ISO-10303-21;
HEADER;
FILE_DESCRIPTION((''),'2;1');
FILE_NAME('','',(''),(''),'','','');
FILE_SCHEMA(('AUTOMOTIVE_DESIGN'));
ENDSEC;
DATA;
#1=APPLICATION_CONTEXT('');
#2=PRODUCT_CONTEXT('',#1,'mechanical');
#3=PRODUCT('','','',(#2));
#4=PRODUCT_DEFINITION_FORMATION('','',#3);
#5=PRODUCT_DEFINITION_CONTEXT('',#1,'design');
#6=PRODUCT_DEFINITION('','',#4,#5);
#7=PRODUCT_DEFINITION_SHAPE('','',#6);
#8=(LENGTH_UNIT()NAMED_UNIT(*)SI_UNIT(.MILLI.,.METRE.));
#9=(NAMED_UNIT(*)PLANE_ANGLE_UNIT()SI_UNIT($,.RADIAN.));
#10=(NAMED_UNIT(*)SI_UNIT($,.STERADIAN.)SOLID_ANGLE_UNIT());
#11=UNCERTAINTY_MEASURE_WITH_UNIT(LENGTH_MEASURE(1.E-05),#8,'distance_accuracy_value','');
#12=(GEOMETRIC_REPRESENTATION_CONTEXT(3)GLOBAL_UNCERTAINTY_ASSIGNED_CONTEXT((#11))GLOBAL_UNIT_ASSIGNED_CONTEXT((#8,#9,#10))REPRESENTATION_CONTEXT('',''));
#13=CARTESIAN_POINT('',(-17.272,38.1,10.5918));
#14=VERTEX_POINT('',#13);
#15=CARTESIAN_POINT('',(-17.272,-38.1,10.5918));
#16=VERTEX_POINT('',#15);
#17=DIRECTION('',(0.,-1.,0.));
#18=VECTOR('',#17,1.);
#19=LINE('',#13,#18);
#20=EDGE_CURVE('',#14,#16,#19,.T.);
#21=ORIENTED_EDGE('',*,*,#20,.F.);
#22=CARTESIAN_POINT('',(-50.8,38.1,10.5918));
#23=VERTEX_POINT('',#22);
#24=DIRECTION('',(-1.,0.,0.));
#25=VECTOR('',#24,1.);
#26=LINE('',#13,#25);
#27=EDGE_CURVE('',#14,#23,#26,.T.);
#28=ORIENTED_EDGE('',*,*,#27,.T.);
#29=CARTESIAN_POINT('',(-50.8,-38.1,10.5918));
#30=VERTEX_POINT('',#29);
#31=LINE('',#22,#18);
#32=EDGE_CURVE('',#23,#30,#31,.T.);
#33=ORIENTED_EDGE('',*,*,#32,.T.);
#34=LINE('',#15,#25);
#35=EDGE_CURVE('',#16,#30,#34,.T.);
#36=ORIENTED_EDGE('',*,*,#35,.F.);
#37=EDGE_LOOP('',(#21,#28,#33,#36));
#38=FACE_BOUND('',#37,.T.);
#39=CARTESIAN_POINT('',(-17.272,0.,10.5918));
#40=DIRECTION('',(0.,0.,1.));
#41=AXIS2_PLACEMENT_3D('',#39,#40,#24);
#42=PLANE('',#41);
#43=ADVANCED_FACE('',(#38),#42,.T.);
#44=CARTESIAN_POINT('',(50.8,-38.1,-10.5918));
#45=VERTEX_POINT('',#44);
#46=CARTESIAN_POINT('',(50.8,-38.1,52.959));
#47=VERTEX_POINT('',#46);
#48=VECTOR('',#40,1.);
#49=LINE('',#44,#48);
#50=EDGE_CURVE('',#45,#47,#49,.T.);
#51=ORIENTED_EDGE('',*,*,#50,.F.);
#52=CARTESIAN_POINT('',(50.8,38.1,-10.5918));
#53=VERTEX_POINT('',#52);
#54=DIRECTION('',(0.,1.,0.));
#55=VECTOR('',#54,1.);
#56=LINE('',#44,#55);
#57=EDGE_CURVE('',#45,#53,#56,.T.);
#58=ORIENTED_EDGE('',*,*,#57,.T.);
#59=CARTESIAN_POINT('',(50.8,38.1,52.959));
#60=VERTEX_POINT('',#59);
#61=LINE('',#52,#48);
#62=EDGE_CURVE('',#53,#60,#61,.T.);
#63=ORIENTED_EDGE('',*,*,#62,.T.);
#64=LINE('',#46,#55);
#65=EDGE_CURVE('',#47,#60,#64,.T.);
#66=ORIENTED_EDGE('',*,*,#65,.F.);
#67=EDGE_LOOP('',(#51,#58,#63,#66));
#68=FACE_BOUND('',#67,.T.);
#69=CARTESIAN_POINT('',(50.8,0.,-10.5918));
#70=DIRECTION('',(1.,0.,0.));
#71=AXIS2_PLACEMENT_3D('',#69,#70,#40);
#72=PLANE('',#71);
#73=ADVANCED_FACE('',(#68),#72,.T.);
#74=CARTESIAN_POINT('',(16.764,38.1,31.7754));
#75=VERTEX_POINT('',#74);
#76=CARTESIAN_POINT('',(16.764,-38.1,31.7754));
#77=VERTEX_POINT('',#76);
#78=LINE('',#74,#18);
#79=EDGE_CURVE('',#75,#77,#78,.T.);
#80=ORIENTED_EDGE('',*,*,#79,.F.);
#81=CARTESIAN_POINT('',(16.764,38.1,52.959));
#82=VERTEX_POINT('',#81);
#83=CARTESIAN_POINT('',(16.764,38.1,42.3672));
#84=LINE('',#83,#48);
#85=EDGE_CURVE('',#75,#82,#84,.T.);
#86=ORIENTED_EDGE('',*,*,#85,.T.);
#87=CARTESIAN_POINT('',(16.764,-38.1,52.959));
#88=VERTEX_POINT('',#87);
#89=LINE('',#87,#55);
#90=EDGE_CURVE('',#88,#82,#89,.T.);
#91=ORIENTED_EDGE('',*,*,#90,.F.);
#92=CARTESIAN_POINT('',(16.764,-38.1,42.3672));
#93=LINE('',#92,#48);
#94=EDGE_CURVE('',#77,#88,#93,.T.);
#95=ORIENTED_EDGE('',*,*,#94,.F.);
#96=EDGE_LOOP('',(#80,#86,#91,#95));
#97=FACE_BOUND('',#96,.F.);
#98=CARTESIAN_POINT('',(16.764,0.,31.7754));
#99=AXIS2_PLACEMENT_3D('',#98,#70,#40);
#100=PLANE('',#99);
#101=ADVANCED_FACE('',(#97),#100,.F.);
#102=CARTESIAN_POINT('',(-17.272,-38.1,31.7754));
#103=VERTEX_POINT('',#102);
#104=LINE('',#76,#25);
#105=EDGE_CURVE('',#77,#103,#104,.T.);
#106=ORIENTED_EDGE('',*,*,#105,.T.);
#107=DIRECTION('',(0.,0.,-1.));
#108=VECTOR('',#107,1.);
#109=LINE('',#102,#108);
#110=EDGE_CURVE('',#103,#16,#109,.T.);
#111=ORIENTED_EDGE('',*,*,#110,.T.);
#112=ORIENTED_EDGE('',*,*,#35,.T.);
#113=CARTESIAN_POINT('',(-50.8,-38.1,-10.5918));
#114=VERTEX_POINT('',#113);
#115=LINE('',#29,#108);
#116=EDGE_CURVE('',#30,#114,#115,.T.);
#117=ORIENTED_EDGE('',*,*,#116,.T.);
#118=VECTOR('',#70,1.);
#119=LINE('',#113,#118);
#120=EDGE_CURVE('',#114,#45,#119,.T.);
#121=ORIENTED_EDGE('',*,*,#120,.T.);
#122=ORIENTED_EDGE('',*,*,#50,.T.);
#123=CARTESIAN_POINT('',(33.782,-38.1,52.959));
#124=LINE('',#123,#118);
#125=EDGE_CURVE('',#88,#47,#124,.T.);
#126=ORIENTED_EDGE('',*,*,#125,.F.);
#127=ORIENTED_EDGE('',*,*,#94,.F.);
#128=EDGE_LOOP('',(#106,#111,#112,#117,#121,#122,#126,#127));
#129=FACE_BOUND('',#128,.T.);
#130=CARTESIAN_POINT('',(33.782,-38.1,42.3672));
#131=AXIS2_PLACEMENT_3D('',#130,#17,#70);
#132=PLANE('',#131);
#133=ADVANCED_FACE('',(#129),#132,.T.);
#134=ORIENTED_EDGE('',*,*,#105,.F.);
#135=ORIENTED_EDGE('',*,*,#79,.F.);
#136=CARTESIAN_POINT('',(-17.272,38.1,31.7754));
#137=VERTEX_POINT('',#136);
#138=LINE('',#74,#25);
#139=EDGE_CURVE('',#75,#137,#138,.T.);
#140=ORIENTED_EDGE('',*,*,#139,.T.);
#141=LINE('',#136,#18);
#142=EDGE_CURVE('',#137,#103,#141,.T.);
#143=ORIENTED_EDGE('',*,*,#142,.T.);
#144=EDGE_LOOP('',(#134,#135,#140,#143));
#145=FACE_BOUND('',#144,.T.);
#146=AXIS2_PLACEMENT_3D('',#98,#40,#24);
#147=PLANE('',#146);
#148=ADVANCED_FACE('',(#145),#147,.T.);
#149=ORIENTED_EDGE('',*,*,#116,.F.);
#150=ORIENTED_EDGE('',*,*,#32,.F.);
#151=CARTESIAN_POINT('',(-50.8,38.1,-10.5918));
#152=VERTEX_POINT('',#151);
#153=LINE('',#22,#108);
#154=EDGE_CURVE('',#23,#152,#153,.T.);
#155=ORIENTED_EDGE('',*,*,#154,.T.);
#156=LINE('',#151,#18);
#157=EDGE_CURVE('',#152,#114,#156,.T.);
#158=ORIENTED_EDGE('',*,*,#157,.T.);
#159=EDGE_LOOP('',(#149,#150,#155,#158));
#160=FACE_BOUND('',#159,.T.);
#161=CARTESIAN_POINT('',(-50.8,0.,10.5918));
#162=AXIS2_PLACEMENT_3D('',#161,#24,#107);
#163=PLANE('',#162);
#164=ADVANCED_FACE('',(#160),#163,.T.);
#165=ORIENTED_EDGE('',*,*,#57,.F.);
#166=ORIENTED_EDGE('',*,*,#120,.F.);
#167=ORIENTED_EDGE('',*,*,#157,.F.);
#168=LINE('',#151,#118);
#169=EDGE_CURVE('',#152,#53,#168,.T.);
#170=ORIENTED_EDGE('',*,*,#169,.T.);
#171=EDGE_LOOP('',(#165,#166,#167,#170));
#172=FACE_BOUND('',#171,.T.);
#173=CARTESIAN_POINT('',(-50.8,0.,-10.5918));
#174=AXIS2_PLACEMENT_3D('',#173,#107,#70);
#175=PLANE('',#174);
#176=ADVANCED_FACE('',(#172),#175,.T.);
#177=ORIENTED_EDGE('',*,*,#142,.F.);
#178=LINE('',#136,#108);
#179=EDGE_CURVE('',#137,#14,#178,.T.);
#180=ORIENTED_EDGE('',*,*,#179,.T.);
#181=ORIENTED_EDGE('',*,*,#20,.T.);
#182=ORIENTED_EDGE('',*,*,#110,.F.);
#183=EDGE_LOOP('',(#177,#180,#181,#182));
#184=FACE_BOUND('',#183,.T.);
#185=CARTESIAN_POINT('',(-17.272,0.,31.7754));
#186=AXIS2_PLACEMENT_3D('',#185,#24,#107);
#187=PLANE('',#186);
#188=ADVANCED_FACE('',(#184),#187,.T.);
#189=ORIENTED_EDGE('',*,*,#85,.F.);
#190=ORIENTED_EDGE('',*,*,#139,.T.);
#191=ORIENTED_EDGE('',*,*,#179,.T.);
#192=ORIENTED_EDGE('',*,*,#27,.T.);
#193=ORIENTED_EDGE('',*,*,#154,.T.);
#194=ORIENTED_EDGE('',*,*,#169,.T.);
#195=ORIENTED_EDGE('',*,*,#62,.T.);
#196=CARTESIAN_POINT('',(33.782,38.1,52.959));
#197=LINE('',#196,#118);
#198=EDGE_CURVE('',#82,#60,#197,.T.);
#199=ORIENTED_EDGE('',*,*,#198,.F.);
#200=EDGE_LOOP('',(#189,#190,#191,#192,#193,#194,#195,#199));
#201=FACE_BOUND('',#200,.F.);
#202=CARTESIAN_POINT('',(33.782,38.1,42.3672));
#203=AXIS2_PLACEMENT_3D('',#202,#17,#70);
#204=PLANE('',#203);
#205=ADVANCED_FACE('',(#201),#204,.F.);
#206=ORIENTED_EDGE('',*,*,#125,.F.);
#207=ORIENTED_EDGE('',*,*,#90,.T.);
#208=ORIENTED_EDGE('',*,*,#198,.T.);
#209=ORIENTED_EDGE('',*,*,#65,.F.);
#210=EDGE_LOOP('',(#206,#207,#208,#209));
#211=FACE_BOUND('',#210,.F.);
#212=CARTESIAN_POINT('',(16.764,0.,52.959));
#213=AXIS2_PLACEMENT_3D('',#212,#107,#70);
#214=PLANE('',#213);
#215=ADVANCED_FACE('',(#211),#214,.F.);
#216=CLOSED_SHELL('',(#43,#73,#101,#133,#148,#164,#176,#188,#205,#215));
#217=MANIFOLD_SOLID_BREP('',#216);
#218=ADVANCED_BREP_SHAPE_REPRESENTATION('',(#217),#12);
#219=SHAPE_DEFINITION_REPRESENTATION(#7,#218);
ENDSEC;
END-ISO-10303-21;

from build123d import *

# Parameters (mm, degrees)
F0_W     = 34.036
F0_H     = 21.1836
F1_DEPTH = 38.1


with BuildPart() as f1:
    # F0 (on Front) → F1 (new body, symmetric)
    with BuildSketch(Plane.XZ):
        with Locations((33.782, 42.3672)):
            Rectangle(F0_W, F0_H)
        Polygon((-17.272, 10.5918), (50.8, 10.5918), (50.8, 31.7754), (16.764, 31.7754), (-17.272, 31.7754), align=None)
        Polygon((50.8, -10.5918), (50.8, 10.5918), (-17.272, 10.5918), (-50.8, 10.5918), (-50.8, -10.5918), align=None)
    extrude(amount=F1_DEPTH, both=True)


solid = f1.part
